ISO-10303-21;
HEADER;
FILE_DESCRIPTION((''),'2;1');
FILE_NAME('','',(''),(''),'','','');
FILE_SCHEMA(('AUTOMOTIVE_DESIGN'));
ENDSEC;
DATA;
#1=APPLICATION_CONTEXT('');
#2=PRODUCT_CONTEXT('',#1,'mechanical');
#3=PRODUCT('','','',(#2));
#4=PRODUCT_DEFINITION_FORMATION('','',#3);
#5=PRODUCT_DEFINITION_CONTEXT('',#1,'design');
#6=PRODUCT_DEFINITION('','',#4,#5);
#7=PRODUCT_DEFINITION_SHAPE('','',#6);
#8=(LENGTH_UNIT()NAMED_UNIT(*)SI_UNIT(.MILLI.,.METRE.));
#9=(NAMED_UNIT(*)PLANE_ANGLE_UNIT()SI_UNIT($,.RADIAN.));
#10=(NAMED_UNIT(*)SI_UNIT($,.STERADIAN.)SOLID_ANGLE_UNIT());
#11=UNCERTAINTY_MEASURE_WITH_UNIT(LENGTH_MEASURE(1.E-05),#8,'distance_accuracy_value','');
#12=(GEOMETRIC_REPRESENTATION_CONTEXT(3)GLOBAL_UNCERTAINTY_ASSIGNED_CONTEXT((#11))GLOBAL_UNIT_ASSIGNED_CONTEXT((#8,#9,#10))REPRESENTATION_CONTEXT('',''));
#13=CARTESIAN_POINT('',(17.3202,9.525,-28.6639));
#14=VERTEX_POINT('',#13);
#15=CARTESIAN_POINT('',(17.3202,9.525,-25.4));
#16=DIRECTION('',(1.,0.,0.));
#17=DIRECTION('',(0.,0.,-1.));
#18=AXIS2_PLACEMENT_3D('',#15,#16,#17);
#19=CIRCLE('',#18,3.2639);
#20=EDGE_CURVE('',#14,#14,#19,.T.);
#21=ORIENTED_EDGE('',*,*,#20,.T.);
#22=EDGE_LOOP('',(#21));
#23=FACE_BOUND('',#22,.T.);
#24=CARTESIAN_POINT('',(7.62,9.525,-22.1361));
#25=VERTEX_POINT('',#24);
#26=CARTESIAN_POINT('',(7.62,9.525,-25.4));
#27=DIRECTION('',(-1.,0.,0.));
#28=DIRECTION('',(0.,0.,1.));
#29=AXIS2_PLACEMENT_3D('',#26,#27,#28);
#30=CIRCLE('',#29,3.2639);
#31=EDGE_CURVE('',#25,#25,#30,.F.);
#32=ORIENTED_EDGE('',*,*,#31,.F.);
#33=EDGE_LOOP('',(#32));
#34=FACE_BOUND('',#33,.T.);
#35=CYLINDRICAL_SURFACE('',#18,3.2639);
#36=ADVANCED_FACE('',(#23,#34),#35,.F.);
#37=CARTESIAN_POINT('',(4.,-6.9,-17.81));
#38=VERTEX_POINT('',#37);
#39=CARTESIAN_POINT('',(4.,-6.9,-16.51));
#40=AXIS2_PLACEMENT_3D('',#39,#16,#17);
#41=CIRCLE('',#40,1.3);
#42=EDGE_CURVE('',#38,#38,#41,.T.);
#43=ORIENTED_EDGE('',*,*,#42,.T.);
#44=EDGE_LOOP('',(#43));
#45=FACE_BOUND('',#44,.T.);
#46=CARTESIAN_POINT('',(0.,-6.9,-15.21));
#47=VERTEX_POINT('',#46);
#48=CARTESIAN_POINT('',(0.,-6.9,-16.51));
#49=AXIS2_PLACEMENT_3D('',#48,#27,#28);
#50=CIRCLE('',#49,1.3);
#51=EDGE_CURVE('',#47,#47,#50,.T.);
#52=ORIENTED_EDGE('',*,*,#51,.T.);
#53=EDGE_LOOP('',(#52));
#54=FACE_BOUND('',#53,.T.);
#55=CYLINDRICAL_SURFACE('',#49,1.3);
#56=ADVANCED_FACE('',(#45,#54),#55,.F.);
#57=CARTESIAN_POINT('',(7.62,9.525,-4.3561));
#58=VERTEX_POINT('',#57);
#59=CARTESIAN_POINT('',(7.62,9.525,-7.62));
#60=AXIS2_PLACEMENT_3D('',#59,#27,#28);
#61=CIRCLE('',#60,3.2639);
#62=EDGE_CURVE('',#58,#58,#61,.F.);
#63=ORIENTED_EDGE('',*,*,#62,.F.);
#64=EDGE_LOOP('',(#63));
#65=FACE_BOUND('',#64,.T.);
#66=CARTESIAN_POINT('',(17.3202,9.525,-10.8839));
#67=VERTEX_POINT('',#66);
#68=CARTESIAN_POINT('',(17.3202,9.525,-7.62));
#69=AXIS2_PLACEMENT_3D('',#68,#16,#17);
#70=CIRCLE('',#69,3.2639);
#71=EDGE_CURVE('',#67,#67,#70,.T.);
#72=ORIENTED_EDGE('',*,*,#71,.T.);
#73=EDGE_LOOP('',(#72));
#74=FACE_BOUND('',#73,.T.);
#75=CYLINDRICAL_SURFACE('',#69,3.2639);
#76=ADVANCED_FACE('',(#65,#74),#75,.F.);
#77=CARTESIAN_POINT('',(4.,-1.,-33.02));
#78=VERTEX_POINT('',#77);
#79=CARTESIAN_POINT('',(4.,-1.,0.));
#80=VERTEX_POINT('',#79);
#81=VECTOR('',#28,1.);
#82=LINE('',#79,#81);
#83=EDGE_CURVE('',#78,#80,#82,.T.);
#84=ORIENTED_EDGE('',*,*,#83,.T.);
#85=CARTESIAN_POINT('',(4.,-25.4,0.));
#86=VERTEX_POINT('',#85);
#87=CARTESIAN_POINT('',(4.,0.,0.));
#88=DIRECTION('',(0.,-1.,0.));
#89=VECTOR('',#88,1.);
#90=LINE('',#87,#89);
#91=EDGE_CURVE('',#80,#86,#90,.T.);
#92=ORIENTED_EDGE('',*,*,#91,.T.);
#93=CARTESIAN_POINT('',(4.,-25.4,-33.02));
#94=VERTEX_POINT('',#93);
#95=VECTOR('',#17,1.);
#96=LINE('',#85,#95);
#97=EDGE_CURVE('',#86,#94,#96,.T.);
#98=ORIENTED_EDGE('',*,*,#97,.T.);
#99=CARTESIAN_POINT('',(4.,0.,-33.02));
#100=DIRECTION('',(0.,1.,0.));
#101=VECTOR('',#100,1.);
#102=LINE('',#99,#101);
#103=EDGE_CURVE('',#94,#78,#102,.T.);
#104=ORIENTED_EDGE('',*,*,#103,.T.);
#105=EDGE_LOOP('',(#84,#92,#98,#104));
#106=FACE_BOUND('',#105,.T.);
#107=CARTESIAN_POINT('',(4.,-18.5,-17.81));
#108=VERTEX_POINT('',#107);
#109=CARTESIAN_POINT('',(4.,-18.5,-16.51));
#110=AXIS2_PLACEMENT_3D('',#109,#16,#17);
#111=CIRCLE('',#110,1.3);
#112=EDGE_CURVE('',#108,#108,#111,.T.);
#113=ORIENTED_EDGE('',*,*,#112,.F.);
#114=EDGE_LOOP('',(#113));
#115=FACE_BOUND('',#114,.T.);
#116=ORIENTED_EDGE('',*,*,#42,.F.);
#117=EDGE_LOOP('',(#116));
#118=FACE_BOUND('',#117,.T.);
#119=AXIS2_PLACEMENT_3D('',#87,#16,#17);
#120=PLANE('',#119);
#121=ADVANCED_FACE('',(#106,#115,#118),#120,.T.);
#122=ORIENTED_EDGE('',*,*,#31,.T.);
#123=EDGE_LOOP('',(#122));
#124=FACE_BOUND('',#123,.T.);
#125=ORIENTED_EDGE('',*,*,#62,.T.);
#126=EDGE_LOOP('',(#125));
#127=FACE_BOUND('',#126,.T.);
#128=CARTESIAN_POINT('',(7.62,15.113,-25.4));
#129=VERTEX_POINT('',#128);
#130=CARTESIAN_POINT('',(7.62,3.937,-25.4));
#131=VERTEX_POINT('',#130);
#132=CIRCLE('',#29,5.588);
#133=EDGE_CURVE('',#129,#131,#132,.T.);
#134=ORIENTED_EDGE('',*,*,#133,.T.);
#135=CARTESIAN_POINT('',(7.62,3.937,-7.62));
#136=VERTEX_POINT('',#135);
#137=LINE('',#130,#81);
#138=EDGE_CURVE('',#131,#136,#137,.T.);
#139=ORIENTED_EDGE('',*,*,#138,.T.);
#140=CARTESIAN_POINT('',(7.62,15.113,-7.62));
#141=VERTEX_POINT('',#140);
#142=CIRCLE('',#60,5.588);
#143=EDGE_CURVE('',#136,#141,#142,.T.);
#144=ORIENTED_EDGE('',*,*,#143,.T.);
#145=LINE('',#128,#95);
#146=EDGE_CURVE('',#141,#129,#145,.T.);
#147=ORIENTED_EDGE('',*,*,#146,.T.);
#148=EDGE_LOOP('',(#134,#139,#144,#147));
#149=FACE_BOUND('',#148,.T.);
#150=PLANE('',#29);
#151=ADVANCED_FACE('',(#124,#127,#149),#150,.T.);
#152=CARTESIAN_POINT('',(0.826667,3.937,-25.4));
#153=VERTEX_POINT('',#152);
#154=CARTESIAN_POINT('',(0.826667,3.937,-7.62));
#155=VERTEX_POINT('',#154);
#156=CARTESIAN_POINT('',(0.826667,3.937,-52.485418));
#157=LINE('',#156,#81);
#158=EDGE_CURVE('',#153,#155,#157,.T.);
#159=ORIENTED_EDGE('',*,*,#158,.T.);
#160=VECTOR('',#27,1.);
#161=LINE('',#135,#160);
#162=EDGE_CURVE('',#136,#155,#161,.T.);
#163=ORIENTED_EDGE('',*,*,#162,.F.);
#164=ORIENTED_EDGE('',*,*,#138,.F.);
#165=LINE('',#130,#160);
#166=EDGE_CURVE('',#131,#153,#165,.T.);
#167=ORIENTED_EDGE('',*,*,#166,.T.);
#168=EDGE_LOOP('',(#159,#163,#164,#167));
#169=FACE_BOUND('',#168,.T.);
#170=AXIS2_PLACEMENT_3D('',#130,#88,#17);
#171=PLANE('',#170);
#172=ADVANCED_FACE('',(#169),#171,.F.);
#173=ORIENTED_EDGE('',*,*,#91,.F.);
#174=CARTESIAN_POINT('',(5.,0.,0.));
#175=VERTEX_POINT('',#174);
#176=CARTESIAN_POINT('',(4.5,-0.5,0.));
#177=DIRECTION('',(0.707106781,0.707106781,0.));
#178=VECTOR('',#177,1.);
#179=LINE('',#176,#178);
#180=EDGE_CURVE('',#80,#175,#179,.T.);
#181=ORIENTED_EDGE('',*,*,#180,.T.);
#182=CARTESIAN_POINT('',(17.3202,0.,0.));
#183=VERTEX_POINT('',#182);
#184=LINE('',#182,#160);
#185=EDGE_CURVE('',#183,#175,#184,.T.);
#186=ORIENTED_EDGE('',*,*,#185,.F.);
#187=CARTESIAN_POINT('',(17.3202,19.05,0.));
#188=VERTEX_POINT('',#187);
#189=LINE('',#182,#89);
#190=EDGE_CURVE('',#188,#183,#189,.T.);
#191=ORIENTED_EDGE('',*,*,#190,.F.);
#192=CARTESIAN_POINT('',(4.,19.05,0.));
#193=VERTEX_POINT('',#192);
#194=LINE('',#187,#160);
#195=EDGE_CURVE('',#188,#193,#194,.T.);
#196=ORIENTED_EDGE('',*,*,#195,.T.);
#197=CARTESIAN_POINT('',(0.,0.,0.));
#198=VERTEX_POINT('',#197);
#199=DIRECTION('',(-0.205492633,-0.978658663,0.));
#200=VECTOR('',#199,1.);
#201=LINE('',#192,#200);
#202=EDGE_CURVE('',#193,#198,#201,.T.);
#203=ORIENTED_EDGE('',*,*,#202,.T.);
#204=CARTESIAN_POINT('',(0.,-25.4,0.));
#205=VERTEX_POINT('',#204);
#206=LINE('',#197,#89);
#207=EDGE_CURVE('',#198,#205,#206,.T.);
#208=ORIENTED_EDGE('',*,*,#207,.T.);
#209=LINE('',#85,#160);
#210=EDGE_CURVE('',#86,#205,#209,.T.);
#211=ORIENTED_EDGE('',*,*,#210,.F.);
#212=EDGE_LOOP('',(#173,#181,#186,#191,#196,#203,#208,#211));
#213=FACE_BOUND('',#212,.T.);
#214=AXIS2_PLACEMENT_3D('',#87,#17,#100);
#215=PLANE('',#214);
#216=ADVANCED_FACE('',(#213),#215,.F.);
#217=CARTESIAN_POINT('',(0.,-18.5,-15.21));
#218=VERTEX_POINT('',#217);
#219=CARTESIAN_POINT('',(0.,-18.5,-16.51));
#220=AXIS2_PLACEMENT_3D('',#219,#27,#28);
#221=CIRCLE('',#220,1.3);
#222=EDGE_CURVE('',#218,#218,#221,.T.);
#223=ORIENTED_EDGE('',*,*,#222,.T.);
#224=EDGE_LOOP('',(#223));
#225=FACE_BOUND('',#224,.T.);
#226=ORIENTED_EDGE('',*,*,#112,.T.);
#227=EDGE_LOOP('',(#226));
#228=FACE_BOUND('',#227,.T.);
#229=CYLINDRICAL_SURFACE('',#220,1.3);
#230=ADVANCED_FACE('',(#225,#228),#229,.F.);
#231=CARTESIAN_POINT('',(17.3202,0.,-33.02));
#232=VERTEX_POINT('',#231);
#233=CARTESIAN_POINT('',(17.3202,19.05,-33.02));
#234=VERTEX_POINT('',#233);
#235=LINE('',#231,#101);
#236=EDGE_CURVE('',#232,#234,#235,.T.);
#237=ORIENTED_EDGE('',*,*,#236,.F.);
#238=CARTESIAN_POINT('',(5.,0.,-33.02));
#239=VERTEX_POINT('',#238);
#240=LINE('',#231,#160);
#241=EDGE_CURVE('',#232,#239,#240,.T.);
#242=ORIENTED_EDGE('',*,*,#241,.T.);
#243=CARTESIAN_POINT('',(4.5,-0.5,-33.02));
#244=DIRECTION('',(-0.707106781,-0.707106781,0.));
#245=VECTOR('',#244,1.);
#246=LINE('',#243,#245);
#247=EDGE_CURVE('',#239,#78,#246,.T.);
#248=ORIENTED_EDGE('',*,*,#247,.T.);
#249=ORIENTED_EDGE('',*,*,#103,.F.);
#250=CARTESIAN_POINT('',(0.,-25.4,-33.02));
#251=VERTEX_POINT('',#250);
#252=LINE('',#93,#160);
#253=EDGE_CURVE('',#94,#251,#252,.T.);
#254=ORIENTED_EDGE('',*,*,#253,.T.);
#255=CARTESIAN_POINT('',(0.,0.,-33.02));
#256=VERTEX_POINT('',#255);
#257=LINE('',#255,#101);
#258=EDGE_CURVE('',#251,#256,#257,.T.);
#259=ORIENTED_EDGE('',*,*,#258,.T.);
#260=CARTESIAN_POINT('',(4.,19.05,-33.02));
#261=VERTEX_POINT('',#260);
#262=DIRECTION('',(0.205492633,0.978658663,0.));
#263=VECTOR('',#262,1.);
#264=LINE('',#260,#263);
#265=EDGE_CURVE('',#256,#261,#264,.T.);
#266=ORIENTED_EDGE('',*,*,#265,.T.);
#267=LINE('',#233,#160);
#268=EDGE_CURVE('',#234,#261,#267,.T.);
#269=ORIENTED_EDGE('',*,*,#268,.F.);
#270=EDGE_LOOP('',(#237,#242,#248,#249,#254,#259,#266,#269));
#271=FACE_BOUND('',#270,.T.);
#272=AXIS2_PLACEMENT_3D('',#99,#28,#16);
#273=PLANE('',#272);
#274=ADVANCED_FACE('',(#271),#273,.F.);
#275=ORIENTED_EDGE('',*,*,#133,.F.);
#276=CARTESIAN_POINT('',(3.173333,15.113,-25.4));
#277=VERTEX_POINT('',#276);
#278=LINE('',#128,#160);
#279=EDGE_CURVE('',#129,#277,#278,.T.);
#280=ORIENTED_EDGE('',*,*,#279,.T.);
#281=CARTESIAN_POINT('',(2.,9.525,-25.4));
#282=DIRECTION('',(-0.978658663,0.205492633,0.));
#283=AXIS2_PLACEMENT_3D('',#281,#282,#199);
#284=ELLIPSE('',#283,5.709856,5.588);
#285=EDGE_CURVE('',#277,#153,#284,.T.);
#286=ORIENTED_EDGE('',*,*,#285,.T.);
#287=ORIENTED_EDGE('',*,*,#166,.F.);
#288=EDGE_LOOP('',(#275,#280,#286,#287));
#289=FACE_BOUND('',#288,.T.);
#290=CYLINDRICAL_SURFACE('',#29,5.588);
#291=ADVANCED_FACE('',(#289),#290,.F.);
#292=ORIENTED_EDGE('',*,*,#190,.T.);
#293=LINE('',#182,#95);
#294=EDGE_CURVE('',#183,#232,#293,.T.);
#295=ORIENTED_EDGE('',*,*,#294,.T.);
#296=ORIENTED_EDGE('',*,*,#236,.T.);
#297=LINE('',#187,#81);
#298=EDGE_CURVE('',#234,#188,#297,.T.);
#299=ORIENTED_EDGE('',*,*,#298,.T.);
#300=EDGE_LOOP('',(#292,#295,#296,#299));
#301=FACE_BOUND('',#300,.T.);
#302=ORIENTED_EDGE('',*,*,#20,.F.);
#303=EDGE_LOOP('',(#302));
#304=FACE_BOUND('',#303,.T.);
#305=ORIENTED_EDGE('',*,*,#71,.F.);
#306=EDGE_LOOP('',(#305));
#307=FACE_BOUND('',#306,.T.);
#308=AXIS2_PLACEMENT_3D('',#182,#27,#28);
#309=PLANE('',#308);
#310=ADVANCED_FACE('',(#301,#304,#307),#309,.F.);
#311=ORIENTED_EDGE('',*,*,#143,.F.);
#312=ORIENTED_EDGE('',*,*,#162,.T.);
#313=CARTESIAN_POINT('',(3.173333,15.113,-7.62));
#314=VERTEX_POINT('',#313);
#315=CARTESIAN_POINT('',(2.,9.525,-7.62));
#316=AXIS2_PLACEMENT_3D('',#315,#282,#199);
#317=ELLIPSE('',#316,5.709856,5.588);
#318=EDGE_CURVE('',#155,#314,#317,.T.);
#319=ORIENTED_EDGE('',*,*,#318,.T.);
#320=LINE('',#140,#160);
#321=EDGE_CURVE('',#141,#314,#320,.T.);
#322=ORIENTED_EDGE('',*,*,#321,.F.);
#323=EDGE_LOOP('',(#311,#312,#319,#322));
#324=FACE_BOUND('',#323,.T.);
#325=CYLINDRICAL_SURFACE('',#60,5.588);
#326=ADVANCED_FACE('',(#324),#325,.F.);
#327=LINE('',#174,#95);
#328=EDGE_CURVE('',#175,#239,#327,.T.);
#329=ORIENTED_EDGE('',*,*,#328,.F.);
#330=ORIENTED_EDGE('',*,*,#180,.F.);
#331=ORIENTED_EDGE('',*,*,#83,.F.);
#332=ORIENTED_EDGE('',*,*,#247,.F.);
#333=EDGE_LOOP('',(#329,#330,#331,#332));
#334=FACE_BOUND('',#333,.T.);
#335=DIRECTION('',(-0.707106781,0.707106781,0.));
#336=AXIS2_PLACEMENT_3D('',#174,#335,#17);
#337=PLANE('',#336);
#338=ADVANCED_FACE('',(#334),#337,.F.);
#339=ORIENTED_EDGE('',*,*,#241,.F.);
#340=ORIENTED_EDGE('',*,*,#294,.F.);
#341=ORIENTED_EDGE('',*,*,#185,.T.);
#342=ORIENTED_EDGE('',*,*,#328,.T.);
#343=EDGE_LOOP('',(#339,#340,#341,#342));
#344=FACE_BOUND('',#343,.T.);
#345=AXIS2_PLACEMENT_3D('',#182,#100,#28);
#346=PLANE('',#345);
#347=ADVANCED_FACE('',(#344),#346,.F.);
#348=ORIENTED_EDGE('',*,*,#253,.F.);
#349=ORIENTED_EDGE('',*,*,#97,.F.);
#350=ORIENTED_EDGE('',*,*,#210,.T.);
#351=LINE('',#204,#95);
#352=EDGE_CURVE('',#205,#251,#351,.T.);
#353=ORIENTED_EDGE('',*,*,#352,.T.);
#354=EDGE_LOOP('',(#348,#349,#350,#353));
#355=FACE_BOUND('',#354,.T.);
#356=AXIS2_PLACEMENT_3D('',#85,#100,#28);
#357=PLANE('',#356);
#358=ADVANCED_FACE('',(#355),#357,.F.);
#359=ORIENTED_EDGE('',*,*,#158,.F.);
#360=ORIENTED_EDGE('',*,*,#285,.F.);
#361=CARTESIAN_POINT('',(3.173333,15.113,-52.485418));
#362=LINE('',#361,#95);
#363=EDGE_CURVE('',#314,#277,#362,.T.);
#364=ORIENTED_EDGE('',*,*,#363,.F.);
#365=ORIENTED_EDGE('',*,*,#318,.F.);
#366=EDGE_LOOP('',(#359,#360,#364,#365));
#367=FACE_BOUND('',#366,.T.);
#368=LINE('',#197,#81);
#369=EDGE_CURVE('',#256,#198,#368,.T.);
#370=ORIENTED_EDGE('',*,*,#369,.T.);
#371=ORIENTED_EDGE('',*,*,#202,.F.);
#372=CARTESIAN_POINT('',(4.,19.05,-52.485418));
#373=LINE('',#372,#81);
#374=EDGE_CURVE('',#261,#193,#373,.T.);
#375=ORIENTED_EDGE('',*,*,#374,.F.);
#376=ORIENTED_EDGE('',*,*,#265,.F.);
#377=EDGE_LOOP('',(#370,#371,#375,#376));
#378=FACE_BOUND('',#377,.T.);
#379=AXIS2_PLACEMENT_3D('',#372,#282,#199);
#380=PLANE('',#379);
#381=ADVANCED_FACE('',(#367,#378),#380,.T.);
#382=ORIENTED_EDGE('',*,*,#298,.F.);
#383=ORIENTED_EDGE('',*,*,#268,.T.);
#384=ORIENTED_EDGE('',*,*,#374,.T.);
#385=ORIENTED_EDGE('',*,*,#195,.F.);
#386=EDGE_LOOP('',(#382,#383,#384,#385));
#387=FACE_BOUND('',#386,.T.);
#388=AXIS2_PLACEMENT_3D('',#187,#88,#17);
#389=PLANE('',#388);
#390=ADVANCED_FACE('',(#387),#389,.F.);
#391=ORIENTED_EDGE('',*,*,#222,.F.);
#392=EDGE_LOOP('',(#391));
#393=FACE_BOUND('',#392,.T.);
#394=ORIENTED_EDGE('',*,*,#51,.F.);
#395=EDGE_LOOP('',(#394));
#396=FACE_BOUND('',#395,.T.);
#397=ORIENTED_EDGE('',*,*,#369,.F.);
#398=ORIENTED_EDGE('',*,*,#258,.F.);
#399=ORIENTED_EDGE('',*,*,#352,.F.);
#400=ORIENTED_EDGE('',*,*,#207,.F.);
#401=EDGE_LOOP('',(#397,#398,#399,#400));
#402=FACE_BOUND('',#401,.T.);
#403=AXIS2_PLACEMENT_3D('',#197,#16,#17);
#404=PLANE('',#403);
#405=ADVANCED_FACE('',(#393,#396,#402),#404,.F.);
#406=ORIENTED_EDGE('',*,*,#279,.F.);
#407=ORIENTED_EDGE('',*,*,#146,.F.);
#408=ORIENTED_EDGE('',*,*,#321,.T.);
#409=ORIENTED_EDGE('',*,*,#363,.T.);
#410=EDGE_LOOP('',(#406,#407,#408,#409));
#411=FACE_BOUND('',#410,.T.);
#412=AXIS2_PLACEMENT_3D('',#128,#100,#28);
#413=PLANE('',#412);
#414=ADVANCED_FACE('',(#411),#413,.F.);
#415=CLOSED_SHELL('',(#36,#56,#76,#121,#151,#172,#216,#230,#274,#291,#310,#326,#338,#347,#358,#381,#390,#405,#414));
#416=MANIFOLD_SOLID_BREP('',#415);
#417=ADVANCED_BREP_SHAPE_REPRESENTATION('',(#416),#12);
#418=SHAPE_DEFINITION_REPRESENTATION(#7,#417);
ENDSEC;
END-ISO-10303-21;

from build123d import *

# Parameters (mm, degrees)
SKETCH1_W                = 33.02
SKETCH1_H                = 25.4
BOSS_EXTRUDE1_DEPTH      = 4
SKETCH2_W                = 33.02
SKETCH2_H                = 19.05
BOSS_EXTRUDE2_DEPTH      = 13.320199928
BOSS_EXTRUDE3_DEPTH      = 33.02
F_0_257_DIAMETER_HOLE1_D = 6.5278
CUT_EXTRUDE1_DEPTH       = 7.62
M2_CLEARANCE_HOLE1_D     = 2.6
CHAMFER1_SIZE            = 1


with BuildPart() as part:
    # Sketch1 → Boss-Extrude1 (new body)
    with BuildSketch(Plane(origin=(0, 0, 0), x_dir=(0, 0, -1), z_dir=(1, 0, 0))):
        with Locations((16.51, -12.7)):
            Rectangle(SKETCH1_W, SKETCH1_H)
    extrude(amount=BOSS_EXTRUDE1_DEPTH)



with BuildPart() as body_2:
    # Sketch2 → Boss-Extrude2 (new body)
    with BuildSketch(Plane(origin=(4, 0, 0), x_dir=(0, 0, -1), z_dir=(1, 0, 0))):
        with Locations((16.51, 9.525)):
            Rectangle(SKETCH2_W, SKETCH2_H)
    extrude(amount=BOSS_EXTRUDE2_DEPTH)


with BuildPart() as part_1:
    add(part.part)

    add(body_2.part)  # Boss-Extrude3 merges body 2
    # Sketch3 → Boss-Extrude3 (add)
    with BuildSketch(Plane.XY):
        Polygon((4, 19.05), (0, 0), (4, 0), align=None)
    extrude(amount=-BOSS_EXTRUDE3_DEPTH)

    # F (0.257) Diameter Hole1 (through all)
    with Locations(Plane(origin=(17.320199928, 0, 0), x_dir=(0, 0, -1), z_dir=(1, 0, 0))):
        with Locations((7.62, 9.525), (25.4, 9.525)):
            Hole(F_0_257_DIAMETER_HOLE1_D / 2)

    # Sketch11 → Cut-Extrude1 (cut)
    with BuildSketch(Plane.ZY):
        with BuildLine():
            Line((-25.4, 15.113), (-7.62, 15.113))
            ThreePointArc((-7.62, 15.113), (-2.032, 9.525), (-7.62, 3.937))
            Line((-7.62, 3.937), (-25.4, 3.937))
            ThreePointArc((-25.4, 3.937), (-30.988, 9.525), (-25.4, 15.113))
        make_face()
    extrude(amount=-CUT_EXTRUDE1_DEPTH, mode=Mode.SUBTRACT)

    # M2 Clearance Hole1 (through all)
    with Locations(Plane.ZY):
        with Locations((-16.51, -6.9), (-16.51, -18.5)):
            Hole(M2_CLEARANCE_HOLE1_D / 2)

    # Chamfer1
    chamfer1_edges = [part_1.edges().sort_by_distance(p)[0] for p in [
        (4, 0, -16.51),
    ]]
    chamfer(chamfer1_edges, length=CHAMFER1_SIZE)


solid = part_1.part
